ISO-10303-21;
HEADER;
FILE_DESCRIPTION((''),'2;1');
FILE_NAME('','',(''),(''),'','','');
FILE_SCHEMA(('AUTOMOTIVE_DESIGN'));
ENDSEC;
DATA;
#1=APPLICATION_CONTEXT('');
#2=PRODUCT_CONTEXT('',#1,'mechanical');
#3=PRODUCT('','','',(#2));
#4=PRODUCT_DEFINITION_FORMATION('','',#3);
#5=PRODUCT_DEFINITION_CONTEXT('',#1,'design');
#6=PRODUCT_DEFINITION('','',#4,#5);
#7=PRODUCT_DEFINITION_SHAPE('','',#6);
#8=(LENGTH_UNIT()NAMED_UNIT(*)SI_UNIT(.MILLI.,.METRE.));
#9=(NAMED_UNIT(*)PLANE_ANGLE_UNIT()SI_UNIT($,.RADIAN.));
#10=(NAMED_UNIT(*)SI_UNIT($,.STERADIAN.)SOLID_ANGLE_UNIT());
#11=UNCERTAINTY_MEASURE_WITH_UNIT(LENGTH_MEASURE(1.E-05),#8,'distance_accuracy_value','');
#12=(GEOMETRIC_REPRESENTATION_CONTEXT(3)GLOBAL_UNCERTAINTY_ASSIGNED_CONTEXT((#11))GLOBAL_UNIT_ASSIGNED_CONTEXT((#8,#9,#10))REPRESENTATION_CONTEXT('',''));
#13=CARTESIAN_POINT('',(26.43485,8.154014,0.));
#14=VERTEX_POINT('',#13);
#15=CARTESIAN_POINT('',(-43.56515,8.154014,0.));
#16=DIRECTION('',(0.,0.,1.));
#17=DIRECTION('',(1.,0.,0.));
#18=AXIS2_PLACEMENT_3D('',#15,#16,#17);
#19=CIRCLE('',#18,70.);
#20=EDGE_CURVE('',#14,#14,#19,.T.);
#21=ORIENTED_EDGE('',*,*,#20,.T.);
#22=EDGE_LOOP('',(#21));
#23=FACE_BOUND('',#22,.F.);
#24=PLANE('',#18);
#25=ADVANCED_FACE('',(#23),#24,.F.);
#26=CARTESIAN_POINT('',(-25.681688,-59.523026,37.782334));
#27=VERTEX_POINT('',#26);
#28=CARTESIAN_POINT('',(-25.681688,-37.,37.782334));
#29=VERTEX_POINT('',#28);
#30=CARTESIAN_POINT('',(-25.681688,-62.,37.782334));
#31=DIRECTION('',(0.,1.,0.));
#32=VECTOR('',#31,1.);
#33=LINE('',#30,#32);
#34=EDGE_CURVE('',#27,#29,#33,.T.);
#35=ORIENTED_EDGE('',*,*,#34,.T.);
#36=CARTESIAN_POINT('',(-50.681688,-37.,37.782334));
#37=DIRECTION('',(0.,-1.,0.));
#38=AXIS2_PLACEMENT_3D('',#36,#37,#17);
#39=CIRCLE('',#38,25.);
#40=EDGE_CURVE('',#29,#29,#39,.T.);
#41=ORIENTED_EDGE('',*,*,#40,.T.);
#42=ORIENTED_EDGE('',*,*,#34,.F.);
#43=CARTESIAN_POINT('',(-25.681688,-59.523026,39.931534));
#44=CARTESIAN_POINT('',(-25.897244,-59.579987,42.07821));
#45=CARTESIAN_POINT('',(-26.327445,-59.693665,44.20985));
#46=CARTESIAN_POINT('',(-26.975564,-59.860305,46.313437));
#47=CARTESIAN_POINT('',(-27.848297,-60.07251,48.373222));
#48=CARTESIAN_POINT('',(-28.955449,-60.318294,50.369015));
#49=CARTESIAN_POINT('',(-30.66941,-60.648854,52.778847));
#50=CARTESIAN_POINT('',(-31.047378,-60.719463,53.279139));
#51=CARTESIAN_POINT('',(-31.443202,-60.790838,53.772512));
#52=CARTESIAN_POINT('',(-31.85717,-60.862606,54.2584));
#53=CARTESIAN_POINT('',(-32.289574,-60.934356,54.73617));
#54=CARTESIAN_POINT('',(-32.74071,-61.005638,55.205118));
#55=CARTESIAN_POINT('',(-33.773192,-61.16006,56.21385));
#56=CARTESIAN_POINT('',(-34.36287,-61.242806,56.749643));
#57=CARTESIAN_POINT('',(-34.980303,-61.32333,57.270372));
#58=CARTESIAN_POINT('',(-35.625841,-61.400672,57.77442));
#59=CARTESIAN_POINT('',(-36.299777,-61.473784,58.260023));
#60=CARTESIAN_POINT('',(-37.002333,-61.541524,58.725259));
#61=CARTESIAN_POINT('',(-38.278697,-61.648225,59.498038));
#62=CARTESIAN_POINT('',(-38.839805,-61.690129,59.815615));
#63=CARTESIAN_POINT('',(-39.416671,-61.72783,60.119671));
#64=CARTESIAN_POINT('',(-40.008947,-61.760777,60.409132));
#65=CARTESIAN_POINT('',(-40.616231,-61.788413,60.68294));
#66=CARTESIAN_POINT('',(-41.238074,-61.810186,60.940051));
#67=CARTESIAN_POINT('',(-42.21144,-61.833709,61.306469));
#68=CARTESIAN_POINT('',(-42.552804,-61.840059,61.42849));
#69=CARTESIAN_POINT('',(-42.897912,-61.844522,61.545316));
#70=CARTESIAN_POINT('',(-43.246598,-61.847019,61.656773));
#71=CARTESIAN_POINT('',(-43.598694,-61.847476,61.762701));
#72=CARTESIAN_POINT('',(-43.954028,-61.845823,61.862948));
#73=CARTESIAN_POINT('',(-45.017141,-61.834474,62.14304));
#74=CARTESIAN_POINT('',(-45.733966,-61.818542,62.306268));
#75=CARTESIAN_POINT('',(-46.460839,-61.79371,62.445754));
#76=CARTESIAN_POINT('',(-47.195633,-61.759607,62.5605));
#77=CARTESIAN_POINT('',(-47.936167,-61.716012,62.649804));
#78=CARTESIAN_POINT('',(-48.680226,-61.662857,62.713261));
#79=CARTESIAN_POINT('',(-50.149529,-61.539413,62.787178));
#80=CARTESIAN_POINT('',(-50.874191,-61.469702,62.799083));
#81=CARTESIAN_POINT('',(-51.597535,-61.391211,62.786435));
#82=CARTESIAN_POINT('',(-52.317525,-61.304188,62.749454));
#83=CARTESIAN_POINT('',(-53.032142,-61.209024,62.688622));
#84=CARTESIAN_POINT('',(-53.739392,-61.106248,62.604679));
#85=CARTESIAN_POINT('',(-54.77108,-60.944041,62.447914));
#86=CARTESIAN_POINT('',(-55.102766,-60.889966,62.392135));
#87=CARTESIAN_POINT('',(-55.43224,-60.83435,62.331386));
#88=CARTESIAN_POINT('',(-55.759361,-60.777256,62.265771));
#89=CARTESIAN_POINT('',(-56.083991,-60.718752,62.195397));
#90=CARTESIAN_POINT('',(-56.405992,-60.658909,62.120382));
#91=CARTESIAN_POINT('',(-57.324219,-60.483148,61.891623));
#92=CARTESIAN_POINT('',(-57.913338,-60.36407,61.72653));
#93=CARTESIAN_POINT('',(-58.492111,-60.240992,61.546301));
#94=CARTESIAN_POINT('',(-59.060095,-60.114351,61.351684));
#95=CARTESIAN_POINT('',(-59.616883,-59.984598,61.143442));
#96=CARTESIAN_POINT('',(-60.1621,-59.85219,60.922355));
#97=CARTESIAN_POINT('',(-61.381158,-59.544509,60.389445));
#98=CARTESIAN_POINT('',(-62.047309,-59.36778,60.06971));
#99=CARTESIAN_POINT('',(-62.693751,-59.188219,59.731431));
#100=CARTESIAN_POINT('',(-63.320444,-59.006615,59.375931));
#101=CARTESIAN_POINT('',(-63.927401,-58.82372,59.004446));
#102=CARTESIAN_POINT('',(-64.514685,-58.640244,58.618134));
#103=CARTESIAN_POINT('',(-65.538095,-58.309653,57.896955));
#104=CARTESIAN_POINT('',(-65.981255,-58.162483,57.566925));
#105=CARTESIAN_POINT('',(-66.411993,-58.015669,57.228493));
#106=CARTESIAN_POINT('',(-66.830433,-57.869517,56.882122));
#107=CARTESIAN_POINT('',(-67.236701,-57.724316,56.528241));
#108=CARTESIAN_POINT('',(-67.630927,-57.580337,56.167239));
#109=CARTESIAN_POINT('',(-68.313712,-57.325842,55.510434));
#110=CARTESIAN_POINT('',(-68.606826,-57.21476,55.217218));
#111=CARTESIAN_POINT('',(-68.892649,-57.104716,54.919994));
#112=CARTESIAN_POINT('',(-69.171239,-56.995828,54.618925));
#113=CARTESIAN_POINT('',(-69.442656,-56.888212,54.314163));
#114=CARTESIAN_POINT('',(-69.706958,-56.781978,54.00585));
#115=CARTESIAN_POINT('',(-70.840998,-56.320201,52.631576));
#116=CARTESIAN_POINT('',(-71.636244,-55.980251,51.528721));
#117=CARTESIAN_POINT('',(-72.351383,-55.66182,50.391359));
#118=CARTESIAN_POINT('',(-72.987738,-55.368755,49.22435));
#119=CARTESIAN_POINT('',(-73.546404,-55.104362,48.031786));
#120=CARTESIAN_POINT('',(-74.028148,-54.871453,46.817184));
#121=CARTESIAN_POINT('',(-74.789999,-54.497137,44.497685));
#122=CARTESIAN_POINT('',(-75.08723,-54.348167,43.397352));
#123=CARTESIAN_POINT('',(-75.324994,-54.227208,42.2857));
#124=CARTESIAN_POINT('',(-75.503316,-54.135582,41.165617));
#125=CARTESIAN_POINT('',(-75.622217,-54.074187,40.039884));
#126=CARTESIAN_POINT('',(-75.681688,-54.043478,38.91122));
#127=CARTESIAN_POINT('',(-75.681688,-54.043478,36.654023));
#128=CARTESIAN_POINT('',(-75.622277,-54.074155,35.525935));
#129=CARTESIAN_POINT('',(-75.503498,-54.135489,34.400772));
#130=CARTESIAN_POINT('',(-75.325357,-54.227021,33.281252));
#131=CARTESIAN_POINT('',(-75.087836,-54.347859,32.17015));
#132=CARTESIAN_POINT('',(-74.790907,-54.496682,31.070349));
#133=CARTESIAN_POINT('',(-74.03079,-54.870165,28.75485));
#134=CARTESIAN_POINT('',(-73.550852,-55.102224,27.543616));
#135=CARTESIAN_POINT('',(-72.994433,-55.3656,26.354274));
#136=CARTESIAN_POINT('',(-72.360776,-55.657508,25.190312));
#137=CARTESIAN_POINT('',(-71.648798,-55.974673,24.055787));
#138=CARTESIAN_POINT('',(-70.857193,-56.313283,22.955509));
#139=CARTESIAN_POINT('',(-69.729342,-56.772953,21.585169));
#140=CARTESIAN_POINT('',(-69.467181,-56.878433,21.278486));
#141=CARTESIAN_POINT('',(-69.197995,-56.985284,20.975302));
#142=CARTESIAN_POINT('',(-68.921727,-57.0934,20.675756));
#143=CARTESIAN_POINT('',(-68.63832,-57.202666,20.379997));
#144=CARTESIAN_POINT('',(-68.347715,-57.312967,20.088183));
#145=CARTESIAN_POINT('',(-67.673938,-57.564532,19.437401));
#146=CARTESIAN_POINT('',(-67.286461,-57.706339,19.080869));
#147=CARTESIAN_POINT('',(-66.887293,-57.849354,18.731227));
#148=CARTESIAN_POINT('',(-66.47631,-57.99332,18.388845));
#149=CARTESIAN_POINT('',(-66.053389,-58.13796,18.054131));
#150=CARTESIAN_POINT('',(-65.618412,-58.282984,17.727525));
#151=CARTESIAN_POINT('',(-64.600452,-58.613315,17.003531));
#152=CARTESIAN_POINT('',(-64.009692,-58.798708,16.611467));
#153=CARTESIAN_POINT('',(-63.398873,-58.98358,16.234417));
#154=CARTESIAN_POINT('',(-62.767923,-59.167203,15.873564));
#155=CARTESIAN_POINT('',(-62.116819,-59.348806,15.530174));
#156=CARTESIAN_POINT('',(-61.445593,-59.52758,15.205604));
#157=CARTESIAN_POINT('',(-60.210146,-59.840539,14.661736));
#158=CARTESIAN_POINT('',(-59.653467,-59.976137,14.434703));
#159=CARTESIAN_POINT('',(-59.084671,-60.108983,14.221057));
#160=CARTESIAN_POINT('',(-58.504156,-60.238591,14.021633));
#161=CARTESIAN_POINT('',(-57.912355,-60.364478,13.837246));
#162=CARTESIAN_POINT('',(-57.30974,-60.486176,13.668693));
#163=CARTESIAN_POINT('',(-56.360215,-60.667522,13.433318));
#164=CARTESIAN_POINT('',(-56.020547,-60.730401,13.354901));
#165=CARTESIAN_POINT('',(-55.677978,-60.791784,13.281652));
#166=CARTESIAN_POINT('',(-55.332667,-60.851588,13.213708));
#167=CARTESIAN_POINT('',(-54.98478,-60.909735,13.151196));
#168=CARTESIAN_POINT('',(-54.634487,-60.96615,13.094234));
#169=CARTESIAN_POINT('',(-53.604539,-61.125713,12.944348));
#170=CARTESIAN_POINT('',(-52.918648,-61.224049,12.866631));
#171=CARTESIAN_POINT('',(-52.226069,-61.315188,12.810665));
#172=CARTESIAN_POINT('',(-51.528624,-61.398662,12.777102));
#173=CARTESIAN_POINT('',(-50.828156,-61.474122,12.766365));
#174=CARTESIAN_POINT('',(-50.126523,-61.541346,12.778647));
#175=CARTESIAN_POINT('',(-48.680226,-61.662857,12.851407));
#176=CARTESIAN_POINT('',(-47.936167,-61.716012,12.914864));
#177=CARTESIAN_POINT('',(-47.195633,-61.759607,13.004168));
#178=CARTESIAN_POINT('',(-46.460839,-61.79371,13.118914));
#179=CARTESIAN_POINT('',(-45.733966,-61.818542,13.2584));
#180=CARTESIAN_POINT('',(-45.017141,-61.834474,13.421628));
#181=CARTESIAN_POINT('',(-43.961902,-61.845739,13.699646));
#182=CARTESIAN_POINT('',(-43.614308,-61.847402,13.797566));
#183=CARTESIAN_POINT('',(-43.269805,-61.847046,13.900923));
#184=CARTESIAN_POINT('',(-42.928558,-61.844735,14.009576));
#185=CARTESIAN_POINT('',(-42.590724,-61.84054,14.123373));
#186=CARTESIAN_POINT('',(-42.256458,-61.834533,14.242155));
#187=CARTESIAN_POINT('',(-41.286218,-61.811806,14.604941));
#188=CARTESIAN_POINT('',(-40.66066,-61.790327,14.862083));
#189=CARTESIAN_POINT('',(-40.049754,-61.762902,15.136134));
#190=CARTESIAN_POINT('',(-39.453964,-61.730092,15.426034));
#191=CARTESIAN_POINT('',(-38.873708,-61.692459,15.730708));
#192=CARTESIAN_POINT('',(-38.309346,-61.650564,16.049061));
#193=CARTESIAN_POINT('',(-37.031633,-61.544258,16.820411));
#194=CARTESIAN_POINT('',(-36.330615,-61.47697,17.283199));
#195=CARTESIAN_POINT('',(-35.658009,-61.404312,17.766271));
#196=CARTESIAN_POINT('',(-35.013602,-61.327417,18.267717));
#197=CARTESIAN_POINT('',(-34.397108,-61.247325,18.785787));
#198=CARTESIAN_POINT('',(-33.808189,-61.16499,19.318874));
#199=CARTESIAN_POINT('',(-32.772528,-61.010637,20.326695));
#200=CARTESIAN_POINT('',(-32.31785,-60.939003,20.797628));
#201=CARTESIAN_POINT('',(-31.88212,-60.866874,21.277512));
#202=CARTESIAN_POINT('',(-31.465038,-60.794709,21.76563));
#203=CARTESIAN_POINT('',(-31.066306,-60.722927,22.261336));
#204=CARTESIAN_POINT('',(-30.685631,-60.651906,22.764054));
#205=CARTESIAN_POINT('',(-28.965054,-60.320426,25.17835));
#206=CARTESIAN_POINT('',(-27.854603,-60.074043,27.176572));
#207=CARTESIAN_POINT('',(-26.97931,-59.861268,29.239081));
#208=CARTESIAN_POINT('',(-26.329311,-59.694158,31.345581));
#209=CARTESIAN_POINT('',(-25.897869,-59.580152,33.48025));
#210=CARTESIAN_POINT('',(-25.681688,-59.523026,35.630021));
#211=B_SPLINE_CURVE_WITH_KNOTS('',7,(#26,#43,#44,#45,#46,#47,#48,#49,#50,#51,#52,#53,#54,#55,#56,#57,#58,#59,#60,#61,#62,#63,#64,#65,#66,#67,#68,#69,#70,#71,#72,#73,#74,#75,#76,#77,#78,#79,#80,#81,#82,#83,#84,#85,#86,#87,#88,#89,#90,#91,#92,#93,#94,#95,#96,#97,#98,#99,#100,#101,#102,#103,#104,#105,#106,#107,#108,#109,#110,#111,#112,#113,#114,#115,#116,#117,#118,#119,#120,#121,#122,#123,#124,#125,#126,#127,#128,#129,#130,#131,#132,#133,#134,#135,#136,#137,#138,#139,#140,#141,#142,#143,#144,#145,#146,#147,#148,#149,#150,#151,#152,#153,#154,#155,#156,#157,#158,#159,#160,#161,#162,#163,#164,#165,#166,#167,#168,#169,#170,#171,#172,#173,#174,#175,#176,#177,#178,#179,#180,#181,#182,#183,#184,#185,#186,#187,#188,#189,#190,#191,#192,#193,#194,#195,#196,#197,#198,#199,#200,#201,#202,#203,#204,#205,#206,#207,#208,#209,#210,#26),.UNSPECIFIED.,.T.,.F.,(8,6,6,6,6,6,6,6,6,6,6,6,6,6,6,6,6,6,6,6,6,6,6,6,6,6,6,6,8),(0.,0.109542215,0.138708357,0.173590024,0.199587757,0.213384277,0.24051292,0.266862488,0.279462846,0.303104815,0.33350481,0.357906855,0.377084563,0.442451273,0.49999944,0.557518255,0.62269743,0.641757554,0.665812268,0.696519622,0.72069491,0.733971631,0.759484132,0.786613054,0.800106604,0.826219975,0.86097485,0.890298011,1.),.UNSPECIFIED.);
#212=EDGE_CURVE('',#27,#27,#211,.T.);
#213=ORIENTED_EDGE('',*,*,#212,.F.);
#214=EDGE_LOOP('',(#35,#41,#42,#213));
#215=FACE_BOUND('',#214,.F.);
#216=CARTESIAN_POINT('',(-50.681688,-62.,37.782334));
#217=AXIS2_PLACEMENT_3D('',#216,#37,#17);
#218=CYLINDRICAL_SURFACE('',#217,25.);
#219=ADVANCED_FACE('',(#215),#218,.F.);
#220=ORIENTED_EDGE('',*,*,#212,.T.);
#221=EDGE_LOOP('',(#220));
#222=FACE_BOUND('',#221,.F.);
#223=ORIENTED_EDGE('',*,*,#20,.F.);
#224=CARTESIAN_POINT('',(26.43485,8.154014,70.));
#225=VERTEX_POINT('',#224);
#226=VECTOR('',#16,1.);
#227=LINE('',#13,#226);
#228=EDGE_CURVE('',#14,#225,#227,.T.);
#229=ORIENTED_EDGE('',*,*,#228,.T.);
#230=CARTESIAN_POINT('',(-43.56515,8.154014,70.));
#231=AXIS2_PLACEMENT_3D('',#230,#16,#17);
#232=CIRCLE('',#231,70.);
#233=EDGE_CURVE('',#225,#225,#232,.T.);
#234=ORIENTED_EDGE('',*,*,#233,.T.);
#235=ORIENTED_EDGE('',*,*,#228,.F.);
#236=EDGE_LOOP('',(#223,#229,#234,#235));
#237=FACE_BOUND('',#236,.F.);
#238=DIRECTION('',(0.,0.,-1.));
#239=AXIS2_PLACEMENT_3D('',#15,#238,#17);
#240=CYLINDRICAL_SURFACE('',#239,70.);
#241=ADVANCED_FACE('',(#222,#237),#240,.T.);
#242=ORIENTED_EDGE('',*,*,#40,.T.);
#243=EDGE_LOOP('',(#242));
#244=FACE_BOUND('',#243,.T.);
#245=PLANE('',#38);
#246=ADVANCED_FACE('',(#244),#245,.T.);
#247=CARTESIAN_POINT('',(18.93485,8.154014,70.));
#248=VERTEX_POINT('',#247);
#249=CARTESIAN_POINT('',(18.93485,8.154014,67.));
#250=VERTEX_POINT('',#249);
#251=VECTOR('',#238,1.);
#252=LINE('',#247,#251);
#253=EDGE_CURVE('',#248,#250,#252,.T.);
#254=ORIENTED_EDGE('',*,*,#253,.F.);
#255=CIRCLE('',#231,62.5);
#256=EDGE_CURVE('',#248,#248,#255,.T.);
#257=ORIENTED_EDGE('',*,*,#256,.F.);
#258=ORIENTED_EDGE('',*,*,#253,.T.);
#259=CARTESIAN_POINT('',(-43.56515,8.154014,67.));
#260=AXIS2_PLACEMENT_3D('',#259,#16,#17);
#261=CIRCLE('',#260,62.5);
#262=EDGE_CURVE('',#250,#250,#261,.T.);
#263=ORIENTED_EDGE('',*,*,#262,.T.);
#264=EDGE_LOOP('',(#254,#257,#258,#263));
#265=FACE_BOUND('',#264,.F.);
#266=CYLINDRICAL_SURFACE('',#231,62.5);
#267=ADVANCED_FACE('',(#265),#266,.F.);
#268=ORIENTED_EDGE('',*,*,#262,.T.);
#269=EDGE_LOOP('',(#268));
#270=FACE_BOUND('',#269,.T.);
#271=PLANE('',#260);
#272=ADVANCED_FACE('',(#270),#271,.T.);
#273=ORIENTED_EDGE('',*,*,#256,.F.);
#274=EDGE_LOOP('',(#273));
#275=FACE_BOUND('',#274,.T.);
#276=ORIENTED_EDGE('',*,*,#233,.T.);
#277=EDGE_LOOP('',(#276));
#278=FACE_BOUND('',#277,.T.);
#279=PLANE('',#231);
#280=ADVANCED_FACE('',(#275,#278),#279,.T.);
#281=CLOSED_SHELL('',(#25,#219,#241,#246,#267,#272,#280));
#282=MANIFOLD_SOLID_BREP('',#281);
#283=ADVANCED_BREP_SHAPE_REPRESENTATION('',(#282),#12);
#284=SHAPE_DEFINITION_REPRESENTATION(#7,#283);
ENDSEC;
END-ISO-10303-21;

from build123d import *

# Parameters (mm, degrees)
F0_R     = 70
F1_DEPTH = 70
F3_R     = 25
F4_DEPTH = 25
F5_R     = 62.5
F6_DEPTH = 3


with BuildPart() as f1:
    # F0 (on Top) → F1 (new body)
    with BuildSketch(Plane.XY):
        with Locations((-43.56515, 8.154014)):
            Circle(F0_R)
    extrude(amount=F1_DEPTH)

    # F3 (on offset) → F4 (cut)
    with BuildSketch(Plane.XZ.offset(62)):
        with Locations((-50.681688, 37.782334)):
            Circle(F3_R)
    extrude(amount=-F4_DEPTH, mode=Mode.SUBTRACT)

    # F5 (on face) → F6 (cut)
    with BuildSketch(Plane.XY.offset(70)):
        with Locations((-43.56515, 8.154014)):
            Circle(F5_R)
    extrude(amount=-F6_DEPTH, mode=Mode.SUBTRACT)


solid = f1.part
